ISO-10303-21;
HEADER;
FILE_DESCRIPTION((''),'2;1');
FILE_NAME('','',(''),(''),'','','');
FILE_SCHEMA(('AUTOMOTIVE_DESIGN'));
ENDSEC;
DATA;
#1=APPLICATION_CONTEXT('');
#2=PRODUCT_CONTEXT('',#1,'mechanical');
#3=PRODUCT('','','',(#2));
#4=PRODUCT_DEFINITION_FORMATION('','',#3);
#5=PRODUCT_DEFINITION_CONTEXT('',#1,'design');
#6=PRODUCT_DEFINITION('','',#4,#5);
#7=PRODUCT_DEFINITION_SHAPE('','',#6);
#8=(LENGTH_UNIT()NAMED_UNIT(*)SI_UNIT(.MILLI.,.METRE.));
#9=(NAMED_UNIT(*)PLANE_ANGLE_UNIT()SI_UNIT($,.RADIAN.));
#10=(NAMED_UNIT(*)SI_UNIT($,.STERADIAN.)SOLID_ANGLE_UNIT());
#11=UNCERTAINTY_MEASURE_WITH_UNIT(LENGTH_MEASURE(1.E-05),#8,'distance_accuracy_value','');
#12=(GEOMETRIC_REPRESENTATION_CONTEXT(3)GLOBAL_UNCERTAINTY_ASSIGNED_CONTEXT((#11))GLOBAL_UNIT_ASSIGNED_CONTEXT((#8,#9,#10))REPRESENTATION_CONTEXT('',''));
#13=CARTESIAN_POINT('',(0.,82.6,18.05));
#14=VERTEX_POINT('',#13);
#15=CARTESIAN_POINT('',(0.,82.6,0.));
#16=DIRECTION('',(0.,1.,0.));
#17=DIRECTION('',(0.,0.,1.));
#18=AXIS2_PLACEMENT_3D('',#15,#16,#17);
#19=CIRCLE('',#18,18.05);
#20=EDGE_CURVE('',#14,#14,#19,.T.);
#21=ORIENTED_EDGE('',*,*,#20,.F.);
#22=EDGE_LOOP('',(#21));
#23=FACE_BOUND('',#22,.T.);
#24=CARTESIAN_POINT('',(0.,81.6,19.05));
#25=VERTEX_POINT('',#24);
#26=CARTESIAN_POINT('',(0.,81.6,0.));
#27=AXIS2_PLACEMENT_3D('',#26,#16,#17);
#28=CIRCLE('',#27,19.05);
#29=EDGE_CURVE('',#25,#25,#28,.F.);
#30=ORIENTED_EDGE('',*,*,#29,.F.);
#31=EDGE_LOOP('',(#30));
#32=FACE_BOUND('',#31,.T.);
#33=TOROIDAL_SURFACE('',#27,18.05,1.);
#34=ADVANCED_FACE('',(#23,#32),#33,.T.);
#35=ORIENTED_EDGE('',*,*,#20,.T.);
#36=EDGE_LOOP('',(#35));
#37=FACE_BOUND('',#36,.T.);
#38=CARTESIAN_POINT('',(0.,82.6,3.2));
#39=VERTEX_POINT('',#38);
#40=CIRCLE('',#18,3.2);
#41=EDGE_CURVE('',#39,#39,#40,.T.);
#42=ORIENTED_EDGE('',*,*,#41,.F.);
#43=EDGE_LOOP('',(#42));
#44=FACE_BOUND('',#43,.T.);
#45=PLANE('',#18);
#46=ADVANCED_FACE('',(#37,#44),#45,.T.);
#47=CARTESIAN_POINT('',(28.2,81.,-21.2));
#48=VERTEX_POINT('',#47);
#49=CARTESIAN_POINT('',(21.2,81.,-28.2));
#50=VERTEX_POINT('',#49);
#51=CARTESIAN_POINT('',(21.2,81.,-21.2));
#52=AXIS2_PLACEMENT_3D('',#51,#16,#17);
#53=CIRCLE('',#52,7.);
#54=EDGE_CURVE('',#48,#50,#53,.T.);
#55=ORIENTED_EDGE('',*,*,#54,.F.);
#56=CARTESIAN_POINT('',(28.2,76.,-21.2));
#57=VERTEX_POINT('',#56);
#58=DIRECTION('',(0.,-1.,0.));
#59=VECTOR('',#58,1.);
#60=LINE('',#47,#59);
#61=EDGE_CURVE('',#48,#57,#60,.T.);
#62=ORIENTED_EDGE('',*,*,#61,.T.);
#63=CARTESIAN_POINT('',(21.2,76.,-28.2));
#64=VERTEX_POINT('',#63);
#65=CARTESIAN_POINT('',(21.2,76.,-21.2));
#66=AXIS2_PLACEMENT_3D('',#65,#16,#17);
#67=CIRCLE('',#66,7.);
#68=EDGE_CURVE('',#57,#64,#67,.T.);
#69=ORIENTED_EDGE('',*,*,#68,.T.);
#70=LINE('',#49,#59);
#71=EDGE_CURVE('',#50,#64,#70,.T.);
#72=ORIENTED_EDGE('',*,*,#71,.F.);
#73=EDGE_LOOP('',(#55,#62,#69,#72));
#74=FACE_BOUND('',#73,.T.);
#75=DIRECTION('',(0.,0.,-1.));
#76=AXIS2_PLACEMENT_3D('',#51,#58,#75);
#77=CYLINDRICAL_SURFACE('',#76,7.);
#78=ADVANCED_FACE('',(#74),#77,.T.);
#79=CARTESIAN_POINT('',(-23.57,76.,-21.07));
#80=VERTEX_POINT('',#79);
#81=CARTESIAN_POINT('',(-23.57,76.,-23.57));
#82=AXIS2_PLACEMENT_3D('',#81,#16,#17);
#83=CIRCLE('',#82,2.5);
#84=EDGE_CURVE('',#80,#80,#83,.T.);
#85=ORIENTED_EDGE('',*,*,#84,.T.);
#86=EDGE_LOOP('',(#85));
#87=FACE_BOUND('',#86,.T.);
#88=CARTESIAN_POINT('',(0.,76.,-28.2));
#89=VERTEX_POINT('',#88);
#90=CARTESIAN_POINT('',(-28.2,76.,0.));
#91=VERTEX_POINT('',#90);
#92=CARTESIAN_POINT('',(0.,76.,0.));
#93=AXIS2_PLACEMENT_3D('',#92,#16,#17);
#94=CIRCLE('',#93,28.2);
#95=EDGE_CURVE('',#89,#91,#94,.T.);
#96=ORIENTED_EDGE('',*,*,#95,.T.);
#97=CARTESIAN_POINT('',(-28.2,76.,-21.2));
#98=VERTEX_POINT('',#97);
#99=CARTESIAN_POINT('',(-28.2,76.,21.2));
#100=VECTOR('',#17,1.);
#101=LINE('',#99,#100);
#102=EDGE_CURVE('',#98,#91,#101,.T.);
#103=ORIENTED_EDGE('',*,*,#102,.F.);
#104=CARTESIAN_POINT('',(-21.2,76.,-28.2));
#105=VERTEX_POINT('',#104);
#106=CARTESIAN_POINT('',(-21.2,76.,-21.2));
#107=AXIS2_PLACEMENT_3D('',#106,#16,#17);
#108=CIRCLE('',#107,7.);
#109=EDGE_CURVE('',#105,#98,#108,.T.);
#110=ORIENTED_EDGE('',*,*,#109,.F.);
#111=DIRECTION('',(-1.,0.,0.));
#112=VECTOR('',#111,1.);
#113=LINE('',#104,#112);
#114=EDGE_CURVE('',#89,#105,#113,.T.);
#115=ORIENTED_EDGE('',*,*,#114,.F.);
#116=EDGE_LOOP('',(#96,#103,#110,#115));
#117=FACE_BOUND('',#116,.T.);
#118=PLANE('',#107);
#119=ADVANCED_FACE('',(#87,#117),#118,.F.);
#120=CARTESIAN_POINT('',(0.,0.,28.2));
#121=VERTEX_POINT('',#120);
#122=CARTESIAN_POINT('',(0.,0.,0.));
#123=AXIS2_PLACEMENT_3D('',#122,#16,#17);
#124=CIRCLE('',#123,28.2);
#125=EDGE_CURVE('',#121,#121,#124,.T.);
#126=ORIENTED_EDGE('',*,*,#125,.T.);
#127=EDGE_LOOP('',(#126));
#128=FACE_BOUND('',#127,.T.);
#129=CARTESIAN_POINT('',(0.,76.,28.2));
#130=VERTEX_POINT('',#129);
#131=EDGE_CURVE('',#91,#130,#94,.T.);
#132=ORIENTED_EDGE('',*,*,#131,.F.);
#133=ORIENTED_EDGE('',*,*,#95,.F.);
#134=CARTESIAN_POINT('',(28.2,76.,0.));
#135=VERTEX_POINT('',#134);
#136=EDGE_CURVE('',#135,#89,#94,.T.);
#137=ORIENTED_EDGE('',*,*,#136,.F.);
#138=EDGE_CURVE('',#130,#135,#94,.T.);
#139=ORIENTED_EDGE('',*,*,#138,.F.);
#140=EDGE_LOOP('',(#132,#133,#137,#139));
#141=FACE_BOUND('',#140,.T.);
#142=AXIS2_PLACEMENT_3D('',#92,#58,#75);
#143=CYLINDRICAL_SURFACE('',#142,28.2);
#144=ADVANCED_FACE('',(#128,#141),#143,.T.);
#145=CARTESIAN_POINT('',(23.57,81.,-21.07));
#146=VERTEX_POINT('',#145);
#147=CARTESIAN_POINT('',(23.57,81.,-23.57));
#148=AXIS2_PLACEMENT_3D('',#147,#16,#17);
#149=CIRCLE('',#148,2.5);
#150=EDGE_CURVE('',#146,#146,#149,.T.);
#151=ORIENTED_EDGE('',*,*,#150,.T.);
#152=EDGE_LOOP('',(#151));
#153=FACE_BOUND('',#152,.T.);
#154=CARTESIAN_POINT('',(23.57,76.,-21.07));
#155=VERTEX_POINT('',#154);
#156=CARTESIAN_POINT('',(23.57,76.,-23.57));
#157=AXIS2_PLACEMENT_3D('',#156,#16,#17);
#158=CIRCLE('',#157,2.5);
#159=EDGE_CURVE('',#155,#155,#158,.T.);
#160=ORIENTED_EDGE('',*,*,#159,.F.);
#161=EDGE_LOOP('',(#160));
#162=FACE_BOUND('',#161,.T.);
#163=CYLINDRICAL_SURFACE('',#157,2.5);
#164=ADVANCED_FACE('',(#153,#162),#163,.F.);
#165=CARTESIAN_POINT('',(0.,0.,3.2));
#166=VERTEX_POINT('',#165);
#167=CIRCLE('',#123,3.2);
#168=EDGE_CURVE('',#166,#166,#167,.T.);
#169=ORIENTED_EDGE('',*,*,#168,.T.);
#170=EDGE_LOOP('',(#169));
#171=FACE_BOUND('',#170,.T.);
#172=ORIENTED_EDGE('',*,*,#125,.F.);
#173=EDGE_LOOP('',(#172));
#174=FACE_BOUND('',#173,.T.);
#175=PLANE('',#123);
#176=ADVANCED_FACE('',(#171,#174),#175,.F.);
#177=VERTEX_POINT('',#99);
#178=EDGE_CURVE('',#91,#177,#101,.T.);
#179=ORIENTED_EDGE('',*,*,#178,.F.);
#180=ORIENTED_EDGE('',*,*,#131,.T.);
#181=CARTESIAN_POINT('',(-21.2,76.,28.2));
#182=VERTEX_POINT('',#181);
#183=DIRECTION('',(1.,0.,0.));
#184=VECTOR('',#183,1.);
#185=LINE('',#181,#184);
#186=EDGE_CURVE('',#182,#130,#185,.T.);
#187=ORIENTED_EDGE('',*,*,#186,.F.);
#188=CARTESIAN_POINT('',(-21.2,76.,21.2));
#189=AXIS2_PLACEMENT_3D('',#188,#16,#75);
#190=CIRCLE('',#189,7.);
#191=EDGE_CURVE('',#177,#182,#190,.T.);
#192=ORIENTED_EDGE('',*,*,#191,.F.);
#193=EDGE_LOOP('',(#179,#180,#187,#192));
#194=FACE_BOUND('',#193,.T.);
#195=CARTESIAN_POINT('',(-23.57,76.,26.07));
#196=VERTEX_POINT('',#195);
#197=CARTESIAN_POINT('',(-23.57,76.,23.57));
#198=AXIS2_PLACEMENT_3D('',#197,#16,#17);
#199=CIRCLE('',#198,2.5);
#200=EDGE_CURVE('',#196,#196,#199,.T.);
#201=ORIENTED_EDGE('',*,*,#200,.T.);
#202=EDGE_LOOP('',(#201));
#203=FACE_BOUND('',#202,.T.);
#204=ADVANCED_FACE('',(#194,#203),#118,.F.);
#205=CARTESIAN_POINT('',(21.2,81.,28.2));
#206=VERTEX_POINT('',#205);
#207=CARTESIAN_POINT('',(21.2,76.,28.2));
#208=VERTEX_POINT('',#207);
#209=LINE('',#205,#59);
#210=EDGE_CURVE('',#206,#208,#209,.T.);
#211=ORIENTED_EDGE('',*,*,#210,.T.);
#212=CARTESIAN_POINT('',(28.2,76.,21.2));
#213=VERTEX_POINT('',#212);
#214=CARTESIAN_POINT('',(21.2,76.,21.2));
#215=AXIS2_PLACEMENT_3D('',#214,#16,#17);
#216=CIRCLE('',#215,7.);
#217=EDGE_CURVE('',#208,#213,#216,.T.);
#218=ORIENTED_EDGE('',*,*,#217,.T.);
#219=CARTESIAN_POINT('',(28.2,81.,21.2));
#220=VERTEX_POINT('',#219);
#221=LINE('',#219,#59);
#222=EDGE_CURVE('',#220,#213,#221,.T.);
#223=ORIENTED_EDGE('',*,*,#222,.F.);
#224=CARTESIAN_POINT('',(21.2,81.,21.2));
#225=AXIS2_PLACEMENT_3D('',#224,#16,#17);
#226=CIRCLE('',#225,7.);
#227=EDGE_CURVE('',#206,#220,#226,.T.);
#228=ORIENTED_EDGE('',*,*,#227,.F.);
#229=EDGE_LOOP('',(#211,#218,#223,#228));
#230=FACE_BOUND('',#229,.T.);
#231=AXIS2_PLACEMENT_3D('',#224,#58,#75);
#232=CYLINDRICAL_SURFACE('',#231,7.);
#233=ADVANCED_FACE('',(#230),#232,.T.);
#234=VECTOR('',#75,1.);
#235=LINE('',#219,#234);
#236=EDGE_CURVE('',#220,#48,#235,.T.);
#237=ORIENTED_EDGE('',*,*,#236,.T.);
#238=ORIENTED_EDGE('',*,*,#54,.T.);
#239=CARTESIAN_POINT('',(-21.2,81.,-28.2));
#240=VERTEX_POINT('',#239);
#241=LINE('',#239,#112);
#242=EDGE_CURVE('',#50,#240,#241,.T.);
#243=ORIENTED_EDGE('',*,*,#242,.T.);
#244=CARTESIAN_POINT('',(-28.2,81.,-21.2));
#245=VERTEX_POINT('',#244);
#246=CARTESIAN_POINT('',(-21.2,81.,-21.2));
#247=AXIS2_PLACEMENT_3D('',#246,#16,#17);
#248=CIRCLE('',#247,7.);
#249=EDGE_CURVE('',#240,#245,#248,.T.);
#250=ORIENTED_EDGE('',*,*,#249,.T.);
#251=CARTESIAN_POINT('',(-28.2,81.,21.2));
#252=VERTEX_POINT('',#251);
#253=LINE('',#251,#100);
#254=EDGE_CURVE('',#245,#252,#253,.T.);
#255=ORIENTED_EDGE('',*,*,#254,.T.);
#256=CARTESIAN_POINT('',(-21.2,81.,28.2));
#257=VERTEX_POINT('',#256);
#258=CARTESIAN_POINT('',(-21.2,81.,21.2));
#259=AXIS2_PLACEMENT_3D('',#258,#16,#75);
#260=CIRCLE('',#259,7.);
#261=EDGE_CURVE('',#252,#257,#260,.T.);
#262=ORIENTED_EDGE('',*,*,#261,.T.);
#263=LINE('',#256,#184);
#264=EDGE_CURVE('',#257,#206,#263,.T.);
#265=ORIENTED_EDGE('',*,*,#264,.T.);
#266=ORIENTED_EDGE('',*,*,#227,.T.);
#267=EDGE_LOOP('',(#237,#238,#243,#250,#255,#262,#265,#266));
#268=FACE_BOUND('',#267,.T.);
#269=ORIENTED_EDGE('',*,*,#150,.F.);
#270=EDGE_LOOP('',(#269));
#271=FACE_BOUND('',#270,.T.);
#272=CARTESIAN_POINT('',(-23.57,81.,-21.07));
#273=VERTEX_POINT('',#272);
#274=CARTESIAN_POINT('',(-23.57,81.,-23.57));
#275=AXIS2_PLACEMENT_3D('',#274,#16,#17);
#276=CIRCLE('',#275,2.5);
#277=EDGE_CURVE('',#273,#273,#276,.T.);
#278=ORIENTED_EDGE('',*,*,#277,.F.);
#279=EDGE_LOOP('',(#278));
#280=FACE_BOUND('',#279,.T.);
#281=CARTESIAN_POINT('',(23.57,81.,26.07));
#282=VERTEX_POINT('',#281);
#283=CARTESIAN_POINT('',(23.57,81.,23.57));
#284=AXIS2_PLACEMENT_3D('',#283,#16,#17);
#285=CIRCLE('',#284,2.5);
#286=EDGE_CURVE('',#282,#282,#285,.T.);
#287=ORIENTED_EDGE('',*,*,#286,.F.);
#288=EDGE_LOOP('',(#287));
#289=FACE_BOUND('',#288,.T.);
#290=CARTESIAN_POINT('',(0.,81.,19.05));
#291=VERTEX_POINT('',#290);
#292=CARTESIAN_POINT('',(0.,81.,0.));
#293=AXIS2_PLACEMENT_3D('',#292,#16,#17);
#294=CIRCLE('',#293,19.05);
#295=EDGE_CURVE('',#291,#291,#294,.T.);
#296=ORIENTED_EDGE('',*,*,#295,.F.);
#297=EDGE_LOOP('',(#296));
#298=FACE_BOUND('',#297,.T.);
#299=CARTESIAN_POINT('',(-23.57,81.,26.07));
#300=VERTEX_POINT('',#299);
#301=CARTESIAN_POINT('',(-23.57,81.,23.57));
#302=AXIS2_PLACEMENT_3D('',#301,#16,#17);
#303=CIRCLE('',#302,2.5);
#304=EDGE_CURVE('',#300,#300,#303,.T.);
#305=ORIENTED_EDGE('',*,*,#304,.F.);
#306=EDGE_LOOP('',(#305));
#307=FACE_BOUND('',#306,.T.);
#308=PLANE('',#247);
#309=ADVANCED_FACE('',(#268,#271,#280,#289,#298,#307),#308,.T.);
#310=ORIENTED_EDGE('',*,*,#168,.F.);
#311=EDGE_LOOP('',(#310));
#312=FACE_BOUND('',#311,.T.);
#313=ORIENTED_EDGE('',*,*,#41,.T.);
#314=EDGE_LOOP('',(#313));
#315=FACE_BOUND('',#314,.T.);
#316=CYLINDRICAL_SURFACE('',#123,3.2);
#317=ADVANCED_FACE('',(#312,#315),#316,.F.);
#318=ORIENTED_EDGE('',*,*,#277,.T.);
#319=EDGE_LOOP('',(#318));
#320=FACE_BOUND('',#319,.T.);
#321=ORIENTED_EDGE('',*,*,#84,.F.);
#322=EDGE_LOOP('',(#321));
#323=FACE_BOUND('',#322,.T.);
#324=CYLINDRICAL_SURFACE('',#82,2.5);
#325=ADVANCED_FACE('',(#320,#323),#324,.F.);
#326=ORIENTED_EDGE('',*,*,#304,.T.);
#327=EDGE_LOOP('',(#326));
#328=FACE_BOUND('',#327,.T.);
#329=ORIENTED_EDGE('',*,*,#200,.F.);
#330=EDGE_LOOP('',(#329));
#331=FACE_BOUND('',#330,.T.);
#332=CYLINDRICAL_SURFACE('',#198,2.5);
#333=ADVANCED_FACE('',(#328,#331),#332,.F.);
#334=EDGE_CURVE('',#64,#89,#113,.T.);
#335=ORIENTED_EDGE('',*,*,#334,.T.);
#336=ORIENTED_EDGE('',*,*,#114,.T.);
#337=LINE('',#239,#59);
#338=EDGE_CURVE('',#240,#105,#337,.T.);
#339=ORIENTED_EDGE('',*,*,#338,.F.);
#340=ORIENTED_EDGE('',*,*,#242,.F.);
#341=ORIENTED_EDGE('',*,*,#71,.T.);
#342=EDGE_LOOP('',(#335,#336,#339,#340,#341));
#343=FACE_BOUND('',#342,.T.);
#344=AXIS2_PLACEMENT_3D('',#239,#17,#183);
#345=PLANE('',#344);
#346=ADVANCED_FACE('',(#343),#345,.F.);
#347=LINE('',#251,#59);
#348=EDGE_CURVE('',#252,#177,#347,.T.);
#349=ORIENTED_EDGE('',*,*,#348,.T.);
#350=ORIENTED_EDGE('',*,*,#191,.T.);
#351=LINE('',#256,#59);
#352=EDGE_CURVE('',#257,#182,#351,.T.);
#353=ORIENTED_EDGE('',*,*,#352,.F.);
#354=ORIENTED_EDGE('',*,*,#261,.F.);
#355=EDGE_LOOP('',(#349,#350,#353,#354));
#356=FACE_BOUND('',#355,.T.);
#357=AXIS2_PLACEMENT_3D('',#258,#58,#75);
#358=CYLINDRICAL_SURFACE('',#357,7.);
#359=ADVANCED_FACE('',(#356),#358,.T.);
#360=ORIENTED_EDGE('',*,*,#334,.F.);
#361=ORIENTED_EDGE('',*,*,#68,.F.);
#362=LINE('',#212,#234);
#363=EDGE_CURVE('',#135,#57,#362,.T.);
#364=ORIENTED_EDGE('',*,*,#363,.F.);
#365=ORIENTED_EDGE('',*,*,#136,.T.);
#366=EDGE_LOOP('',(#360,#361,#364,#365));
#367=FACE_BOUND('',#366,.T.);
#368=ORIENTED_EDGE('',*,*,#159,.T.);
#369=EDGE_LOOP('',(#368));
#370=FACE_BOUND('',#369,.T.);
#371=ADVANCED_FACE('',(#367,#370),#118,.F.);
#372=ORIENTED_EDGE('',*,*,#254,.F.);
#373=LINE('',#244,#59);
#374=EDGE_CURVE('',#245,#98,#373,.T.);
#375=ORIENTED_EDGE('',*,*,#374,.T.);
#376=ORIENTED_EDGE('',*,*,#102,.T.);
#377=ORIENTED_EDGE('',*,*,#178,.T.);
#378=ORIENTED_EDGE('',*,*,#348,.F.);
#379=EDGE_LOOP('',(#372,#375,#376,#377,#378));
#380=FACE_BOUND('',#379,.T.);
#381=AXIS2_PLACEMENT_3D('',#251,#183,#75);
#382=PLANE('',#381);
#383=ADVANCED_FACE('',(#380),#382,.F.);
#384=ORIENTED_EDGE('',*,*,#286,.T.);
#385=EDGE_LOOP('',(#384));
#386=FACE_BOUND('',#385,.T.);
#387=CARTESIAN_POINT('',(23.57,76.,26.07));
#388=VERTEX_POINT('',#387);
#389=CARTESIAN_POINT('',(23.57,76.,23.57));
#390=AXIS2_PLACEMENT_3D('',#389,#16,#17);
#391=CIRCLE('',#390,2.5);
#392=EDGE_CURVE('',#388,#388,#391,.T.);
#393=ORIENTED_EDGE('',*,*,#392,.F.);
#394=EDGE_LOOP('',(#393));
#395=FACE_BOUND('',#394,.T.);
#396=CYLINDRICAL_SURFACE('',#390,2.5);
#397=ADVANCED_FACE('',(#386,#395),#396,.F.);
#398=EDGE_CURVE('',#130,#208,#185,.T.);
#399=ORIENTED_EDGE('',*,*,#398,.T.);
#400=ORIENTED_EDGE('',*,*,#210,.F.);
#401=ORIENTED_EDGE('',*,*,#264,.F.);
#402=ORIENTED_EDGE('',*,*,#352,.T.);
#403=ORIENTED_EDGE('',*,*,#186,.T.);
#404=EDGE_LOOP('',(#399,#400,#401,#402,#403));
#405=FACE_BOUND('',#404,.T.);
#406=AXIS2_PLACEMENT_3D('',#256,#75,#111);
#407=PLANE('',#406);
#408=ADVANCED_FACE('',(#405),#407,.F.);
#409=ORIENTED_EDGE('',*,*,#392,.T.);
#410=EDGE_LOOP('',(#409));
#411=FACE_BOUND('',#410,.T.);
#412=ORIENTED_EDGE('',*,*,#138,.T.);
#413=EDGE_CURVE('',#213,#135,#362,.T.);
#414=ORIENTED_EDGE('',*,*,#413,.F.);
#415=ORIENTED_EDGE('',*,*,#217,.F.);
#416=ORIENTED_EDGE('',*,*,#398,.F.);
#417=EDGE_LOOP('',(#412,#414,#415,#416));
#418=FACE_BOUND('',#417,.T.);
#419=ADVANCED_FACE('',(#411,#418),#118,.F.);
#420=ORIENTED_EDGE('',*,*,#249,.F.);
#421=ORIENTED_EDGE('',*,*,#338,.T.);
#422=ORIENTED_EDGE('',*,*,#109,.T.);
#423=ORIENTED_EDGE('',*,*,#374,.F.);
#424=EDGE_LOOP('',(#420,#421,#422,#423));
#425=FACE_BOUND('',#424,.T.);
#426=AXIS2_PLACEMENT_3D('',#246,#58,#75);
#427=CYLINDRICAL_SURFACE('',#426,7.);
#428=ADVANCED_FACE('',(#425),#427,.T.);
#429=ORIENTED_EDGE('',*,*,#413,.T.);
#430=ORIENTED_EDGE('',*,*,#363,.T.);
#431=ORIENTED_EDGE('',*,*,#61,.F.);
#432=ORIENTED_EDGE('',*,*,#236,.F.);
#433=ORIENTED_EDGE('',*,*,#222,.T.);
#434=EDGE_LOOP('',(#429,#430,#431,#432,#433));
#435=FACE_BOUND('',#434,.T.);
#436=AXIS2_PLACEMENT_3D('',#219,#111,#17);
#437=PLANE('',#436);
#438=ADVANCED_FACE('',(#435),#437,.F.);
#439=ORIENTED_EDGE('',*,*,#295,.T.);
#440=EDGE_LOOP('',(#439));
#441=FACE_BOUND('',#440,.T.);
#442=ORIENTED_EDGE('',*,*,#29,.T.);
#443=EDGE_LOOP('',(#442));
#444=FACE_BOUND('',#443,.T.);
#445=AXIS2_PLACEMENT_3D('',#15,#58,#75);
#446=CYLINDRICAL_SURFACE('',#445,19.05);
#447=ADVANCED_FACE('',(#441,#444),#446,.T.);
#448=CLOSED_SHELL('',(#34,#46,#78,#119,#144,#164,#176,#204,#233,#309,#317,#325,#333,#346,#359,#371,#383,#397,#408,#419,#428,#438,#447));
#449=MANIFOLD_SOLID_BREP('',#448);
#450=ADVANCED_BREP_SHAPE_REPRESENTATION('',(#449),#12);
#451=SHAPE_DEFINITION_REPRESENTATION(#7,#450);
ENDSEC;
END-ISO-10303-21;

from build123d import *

# Parameters (mm, degrees)
SKETCH1_R           = 28.2
BOSS_EXTRUDE1_DEPTH = 76
BOSS_EXTRUDE3_DEPTH = 5
SKETCH4_R           = 2.5
CUT_EXTRUDE1_DEPTH  = 5
SKETCH5_R           = 19.05
BOSS_EXTRUDE4_DEPTH = 1.6
FILLET1_R           = 1
SKETCH7_R           = 3.2
CUT_EXTRUDE3_DEPTH  = 83.6


with BuildPart() as part:
    # Sketch1 → Boss-Extrude1 (new body)
    with BuildSketch(Plane(origin=(0, 0, 0), x_dir=(1, 0, 0), z_dir=(0, 1, 0))):
        Circle(SKETCH1_R)
    extrude(amount=BOSS_EXTRUDE1_DEPTH)

    # Sketch2 → Boss-Extrude3 (add)
    with BuildSketch(Plane(origin=(0, 76, 0), x_dir=(1, 0, 0), z_dir=(0, 1, 0))):
        with BuildLine():
            Line((-21.2, -28.2), (21.2, -28.2))
            ThreePointArc((21.2, -28.2), (26.149747468, -26.149747468), (28.2, -21.2))
            Line((28.2, -21.2), (28.2, 21.2))
            ThreePointArc((28.2, 21.2), (26.149747468, 26.149747468), (21.2, 28.2))
            Line((21.2, 28.2), (-21.2, 28.2))
            ThreePointArc((-21.2, 28.2), (-26.149747468, 26.149747468), (-28.2, 21.2))
            Line((-28.2, 21.2), (-28.2, -21.2))
            ThreePointArc((-28.2, -21.2), (-26.149747468, -26.149747468), (-21.2, -28.2))
        make_face()
    extrude(amount=BOSS_EXTRUDE3_DEPTH)

    # Sketch4 → Cut-Extrude1 (cut)
    with BuildSketch(Plane(origin=(0, 81, 0), x_dir=(1, 0, 0), z_dir=(0, 1, 0))):
        with Locations((-23.57, 23.57)):
            Circle(SKETCH4_R)
        with Locations((23.57, 23.57)):
            Circle(SKETCH4_R)
        with Locations((-23.57, -23.57)):
            Circle(SKETCH4_R)
        with Locations((23.57, -23.57)):
            Circle(SKETCH4_R)
    extrude(amount=-CUT_EXTRUDE1_DEPTH, mode=Mode.SUBTRACT)

    # Sketch5 → Boss-Extrude4 (add)
    with BuildSketch(Plane(origin=(0, 81, 0), x_dir=(1, 0, 0), z_dir=(0, 1, 0))):
        Circle(SKETCH5_R)
    extrude(amount=BOSS_EXTRUDE4_DEPTH)

    # Fillet1
    fillet1_edges = [part.edges().sort_by_distance(p)[0] for p in [
        (-19.05, 82.6, 0),
    ]]
    fillet(fillet1_edges, radius=FILLET1_R)

    # Sketch7 → Cut-Extrude3 (cut, through all)
    with BuildSketch(Plane(origin=(0, 82.6, 0), x_dir=(1, 0, 0), z_dir=(0, 1, 0))):
        Circle(SKETCH7_R)
    extrude(amount=-CUT_EXTRUDE3_DEPTH, mode=Mode.SUBTRACT)


solid = part.part
